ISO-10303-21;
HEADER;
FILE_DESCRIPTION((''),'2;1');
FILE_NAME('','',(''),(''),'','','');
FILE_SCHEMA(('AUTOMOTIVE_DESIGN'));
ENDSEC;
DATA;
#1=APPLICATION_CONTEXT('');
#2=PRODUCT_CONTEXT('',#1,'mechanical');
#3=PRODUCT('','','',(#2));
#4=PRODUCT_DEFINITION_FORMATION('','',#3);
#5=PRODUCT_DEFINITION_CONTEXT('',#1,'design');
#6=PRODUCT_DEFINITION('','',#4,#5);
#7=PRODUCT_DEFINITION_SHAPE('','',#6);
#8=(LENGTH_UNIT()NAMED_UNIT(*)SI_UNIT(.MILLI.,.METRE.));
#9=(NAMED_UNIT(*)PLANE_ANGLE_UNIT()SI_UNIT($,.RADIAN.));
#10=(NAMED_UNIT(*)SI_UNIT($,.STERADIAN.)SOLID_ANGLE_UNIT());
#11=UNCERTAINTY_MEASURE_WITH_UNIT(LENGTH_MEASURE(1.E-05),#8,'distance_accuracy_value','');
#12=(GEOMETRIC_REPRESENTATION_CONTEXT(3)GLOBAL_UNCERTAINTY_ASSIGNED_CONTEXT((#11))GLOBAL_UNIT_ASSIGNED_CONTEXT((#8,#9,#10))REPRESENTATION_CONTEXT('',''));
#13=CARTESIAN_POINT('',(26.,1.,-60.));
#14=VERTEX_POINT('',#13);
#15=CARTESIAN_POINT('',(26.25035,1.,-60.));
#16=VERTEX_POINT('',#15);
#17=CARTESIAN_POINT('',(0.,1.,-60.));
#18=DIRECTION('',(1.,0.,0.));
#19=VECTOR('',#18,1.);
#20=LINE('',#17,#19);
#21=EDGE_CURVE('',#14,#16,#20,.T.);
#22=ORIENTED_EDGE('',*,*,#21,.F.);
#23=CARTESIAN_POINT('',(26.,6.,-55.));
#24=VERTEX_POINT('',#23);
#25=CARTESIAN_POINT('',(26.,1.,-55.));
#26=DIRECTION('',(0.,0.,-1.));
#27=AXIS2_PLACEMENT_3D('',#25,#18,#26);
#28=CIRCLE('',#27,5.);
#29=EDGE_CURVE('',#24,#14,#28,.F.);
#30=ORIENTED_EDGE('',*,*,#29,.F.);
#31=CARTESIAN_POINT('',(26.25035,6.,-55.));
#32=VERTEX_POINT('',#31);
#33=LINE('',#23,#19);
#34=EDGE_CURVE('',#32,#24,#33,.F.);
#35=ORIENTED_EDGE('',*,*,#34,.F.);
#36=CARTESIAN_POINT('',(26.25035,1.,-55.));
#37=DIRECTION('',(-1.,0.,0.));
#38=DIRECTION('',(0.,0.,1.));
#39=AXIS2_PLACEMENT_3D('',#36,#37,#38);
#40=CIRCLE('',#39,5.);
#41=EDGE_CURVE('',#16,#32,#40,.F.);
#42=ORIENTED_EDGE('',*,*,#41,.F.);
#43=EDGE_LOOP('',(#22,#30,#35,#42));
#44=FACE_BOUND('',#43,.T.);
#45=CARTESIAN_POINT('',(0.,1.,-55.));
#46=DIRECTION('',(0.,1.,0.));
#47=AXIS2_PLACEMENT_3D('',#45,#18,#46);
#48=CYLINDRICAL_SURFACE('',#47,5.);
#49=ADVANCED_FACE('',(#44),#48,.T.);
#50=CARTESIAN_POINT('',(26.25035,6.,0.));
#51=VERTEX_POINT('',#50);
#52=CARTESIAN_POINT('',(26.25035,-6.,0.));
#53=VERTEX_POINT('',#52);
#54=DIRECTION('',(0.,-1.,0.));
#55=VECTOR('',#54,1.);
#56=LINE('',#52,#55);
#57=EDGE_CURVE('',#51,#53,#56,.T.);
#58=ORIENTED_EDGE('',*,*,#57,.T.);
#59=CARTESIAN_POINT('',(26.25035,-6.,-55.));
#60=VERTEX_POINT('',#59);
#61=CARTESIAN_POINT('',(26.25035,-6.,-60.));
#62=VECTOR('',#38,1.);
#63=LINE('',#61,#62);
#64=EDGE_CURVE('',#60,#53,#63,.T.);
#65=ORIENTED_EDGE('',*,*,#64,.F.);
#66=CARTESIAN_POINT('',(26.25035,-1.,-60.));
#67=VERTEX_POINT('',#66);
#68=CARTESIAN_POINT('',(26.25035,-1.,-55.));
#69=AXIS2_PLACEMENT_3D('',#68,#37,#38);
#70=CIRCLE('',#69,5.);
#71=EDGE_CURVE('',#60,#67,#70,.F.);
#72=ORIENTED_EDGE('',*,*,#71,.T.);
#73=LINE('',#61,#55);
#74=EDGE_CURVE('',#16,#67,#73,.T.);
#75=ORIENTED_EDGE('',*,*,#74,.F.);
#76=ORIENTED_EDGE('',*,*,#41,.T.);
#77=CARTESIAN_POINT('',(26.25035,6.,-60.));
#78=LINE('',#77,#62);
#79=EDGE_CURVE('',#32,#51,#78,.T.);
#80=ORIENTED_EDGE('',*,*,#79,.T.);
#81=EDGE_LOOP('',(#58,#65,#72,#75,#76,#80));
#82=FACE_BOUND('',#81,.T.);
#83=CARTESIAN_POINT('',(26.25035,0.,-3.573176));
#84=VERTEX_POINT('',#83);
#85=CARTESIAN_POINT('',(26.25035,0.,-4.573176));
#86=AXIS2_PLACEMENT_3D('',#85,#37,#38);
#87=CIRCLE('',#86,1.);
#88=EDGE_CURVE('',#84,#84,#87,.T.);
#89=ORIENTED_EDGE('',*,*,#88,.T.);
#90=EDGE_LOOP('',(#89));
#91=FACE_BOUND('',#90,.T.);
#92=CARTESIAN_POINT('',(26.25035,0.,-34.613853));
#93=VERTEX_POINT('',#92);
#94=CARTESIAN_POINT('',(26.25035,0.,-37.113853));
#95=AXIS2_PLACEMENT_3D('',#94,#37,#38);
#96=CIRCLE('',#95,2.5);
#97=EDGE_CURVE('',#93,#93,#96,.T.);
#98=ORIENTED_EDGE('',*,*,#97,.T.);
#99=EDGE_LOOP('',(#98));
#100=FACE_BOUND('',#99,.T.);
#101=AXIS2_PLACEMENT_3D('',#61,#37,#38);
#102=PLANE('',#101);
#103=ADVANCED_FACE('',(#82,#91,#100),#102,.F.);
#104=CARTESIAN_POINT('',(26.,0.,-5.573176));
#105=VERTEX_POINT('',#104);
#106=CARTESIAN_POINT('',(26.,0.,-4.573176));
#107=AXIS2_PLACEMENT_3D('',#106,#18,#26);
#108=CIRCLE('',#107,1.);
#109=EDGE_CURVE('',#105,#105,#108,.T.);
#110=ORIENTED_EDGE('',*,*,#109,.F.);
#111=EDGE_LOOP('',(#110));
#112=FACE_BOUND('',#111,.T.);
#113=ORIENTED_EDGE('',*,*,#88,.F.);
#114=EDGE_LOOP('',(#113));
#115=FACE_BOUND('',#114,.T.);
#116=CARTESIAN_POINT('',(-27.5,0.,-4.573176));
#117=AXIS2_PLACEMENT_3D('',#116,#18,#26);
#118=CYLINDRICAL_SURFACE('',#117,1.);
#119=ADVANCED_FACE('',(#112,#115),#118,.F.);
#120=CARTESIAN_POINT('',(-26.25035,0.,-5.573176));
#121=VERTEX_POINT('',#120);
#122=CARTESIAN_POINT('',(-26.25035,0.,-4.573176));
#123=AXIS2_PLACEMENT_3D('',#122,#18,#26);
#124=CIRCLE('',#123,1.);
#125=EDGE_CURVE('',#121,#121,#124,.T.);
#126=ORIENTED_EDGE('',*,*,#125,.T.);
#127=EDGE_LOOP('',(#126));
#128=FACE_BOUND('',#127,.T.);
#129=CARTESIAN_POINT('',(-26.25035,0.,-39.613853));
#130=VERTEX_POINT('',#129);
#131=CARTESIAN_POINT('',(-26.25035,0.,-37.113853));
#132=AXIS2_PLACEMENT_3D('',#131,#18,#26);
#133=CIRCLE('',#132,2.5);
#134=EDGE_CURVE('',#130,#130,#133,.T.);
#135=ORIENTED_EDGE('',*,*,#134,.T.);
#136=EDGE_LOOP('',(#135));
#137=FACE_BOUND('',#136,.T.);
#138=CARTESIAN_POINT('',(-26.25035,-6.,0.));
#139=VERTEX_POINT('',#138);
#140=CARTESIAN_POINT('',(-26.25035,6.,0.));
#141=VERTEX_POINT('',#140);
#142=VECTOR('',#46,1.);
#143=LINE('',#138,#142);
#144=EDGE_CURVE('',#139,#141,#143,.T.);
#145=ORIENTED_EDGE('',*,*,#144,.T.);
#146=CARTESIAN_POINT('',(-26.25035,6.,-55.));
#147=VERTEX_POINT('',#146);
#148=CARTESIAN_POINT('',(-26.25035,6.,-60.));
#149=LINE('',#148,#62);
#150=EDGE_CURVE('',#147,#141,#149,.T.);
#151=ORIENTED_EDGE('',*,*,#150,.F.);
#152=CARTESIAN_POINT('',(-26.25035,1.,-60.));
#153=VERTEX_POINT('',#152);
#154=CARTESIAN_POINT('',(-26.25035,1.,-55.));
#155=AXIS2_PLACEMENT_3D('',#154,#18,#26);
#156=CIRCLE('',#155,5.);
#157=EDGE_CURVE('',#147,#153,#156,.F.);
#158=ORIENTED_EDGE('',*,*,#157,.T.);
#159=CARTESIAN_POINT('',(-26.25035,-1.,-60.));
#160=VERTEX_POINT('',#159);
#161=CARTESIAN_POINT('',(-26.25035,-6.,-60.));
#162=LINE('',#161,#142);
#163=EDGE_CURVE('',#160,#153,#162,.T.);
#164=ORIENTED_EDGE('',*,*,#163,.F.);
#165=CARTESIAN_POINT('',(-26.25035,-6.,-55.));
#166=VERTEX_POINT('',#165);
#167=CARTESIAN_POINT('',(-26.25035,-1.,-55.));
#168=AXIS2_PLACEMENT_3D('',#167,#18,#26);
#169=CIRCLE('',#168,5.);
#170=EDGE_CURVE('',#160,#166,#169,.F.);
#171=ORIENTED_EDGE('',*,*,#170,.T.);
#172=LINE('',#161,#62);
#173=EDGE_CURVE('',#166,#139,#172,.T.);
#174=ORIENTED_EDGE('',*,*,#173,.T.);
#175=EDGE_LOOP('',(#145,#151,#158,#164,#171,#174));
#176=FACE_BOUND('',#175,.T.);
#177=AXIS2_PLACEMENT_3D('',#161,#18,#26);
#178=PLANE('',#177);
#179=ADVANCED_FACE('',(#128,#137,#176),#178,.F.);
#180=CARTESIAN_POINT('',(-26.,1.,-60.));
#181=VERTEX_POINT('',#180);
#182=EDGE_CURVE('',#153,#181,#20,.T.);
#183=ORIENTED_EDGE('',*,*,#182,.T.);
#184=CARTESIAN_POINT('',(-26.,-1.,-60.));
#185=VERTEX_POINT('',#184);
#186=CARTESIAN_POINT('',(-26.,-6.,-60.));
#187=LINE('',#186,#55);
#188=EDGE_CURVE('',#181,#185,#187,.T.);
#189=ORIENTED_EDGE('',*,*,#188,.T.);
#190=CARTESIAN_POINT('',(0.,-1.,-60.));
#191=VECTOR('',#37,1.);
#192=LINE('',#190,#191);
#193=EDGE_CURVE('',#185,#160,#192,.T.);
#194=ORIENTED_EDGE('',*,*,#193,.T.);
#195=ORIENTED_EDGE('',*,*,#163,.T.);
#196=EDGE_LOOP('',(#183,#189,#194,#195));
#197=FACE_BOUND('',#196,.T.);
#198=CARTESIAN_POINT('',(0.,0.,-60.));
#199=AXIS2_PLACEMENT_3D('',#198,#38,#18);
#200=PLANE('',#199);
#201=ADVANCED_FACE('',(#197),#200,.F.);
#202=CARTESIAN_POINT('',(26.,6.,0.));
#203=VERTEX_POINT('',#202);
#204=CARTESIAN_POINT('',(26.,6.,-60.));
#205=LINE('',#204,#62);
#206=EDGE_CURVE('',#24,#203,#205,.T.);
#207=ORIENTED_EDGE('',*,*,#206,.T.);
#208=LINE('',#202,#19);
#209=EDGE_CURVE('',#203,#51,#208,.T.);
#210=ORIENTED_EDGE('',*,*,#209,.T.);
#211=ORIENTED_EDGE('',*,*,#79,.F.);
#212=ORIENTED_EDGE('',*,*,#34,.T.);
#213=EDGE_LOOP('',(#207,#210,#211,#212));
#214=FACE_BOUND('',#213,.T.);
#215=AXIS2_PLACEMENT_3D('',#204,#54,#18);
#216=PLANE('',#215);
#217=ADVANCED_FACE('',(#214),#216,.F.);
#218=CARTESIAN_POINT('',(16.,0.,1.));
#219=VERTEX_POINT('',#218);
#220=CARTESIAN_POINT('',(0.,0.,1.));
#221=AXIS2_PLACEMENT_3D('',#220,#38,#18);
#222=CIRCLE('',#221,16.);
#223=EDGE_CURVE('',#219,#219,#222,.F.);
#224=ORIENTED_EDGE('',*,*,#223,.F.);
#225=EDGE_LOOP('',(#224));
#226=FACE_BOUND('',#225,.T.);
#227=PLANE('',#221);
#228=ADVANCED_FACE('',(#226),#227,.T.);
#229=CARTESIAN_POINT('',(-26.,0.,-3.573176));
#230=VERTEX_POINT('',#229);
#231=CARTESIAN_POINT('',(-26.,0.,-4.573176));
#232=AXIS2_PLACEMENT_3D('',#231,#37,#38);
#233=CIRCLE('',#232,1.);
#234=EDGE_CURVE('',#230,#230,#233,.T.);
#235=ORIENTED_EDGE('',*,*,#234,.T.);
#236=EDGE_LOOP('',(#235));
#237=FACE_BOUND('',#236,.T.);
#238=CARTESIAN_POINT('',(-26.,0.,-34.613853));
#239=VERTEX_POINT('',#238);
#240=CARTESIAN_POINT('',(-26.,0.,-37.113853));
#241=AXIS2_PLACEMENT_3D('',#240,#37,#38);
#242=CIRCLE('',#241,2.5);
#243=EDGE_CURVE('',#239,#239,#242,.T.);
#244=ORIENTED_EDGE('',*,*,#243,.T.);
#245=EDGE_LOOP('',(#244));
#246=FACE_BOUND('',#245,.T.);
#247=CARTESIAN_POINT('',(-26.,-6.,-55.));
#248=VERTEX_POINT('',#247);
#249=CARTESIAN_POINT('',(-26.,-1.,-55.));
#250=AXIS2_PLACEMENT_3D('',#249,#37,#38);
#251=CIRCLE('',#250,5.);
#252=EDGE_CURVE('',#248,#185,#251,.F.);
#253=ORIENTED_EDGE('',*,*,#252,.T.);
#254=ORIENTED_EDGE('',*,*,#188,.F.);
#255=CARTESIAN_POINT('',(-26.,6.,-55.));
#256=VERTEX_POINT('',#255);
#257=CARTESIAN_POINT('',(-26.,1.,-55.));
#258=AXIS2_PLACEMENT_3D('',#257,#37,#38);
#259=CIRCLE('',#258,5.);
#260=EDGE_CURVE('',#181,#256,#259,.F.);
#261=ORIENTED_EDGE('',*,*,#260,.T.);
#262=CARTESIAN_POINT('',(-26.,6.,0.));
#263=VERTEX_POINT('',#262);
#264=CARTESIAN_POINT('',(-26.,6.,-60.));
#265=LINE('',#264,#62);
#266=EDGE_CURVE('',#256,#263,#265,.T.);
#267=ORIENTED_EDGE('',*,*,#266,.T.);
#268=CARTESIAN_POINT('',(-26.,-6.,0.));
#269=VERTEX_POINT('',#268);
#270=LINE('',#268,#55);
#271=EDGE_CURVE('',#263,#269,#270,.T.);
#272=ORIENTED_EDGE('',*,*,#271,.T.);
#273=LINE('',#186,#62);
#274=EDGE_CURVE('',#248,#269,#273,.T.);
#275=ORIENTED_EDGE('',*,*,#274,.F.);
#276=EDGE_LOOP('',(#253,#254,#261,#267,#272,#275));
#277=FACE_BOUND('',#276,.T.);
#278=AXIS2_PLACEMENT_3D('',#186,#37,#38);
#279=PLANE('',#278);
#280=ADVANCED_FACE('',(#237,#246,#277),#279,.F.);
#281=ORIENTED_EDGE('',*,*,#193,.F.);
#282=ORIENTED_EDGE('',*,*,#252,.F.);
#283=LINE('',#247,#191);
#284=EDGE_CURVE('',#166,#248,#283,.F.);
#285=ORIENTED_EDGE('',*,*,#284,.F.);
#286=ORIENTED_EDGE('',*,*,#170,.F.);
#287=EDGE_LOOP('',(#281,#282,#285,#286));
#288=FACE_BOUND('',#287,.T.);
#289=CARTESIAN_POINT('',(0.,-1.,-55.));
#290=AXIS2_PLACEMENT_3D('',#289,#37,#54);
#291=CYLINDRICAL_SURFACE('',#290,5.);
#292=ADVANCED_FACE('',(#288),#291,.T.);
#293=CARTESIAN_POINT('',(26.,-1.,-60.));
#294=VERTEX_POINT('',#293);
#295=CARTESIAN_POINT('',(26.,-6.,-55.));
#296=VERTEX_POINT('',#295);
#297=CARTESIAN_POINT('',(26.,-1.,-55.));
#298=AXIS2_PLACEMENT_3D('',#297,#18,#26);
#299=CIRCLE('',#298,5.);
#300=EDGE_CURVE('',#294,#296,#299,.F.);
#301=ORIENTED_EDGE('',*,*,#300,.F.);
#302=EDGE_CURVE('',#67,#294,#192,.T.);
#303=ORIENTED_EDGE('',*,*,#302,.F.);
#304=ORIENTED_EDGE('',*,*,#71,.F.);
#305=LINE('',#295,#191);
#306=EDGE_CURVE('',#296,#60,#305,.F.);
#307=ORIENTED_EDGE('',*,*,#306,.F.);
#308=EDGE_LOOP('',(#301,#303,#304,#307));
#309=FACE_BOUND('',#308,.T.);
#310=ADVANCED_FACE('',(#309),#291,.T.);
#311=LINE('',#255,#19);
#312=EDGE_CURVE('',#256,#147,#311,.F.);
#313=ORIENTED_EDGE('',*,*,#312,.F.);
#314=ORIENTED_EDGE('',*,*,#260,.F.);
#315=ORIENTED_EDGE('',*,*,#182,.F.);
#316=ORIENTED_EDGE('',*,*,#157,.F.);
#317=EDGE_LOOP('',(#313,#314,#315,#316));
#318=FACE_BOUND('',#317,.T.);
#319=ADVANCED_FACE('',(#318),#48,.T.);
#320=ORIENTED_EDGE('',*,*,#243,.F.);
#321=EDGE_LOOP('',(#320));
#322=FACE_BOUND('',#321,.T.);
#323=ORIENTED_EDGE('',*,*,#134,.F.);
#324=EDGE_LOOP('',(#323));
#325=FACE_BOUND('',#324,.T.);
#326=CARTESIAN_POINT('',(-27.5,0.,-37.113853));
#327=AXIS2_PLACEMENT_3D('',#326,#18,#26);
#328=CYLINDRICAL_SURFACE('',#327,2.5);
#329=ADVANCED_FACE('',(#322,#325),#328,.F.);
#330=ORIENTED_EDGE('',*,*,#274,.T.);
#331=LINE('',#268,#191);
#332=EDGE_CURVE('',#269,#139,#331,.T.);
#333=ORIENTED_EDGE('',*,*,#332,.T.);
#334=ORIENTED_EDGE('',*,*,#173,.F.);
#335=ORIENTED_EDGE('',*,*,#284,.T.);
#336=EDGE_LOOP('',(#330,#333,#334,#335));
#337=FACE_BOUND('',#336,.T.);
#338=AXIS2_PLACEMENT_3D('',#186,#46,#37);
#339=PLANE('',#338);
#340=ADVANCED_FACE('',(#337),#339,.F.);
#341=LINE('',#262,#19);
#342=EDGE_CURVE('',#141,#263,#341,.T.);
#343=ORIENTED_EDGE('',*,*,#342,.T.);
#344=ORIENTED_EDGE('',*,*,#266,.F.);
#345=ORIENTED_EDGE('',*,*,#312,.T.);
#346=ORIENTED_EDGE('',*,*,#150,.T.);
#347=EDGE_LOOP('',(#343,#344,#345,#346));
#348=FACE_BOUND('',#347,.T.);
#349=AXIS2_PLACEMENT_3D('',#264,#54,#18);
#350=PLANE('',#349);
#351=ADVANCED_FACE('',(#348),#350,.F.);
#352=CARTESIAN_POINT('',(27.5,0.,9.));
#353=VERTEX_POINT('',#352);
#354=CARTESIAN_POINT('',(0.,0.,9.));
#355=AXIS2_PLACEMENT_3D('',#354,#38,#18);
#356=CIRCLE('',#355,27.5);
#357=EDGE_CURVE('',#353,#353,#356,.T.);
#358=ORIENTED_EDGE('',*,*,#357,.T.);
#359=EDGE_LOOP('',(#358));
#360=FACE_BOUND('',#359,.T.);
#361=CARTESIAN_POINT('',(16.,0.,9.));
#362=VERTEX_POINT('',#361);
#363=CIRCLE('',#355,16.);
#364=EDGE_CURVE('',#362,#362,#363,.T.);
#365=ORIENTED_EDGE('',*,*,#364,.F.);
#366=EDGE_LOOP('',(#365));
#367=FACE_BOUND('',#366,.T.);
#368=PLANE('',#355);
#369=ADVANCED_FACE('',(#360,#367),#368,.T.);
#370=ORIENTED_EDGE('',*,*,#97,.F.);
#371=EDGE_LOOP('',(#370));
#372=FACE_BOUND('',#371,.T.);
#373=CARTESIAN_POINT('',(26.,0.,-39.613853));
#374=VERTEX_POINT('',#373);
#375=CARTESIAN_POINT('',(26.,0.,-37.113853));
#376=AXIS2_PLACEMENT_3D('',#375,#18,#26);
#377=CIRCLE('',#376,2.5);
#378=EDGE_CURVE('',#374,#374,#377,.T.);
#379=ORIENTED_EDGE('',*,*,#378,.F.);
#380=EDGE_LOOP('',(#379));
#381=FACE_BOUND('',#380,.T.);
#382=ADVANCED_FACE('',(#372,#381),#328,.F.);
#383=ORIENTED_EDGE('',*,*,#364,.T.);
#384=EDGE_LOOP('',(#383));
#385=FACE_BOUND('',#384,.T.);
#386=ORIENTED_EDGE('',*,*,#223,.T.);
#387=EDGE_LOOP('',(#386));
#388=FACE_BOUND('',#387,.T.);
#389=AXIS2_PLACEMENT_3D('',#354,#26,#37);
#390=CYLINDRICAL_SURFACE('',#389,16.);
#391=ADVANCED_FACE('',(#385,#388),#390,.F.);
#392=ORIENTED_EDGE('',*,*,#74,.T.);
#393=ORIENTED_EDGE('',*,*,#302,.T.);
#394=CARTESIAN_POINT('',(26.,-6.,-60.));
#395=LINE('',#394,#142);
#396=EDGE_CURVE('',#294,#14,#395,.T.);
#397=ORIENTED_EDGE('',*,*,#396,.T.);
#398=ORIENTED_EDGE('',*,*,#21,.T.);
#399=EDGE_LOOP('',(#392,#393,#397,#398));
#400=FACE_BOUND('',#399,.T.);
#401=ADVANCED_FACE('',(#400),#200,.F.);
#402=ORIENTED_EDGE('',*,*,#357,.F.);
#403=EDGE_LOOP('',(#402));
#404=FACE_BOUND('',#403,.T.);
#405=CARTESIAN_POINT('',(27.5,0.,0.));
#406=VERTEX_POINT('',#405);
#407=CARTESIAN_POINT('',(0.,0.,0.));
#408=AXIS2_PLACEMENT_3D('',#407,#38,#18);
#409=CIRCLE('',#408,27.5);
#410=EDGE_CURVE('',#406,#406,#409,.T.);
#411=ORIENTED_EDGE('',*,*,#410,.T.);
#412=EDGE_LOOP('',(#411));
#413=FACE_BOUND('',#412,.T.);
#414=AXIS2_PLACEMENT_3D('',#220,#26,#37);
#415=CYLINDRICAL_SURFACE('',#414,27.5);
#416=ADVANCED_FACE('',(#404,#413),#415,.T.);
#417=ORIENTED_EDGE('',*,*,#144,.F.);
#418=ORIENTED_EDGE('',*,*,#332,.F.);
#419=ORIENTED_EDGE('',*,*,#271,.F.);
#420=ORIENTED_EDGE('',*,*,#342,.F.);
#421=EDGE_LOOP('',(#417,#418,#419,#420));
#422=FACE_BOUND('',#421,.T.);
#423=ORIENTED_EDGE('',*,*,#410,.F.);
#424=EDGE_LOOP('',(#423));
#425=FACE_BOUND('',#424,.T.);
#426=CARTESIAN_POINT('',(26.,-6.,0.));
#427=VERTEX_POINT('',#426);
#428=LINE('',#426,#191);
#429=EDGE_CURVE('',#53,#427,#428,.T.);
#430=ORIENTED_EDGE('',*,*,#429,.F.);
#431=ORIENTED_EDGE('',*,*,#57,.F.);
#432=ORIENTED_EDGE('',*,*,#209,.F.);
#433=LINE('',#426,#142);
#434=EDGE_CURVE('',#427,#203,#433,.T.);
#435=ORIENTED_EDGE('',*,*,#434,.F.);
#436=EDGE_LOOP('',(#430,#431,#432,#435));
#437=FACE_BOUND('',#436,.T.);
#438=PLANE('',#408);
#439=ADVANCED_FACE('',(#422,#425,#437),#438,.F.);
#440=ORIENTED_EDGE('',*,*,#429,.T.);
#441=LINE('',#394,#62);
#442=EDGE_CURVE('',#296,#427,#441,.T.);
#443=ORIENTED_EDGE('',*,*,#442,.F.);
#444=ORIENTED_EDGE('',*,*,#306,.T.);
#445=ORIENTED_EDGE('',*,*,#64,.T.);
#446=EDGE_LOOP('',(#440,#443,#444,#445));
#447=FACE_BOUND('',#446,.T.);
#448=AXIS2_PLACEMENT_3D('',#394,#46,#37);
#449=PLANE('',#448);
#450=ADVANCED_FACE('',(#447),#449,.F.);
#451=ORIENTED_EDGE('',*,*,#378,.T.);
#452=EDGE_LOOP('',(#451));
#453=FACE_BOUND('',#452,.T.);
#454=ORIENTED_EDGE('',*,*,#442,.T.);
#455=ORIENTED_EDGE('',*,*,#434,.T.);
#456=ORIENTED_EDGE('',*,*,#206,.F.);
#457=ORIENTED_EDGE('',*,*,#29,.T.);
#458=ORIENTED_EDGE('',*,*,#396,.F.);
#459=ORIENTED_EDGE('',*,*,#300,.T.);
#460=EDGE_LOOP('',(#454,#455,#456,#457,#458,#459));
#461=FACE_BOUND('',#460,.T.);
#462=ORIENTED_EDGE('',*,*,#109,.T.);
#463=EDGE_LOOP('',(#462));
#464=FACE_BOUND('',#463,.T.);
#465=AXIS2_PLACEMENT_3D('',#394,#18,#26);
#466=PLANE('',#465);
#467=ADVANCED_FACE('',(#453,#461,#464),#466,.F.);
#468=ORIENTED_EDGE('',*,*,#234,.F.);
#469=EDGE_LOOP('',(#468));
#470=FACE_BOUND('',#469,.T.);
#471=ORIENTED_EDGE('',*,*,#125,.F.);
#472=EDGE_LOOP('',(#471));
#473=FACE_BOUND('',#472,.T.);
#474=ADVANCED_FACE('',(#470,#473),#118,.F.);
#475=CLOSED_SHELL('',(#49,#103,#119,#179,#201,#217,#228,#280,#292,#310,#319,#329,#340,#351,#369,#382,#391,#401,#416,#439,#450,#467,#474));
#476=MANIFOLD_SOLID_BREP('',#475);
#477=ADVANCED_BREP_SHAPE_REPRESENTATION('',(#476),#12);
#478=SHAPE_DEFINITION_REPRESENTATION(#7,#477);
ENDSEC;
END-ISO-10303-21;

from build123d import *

# Parameters (mm, degrees)
SKETCH1_R               = 27.5
BOSS_EXTRUDE1_DEPTH     = 1
SKETCH2_R               = 27.5
SKETCH2_R_2             = 16
BOSS_EXTRUDE2_DEPTH     = 8
SKETCH3_W               = 0.250349807
SKETCH3_H               = 12
BOSS_EXTRUDE3_DEPTH     = 60
CUT_EXTRUDE1_DEPTH      = 72.50174823
CUT_EXTRUDE1_DEPTH_BACK = 72.50174823
SKETCH4_R               = 2.5
SKETCH4_R_2             = 1
FILLET1_R               = 5


with BuildPart() as part:
    # Sketch1 → Boss-Extrude1 (new body)
    with BuildSketch(Plane.XY):
        Circle(SKETCH1_R)
    extrude(amount=BOSS_EXTRUDE1_DEPTH)

    # Sketch2 → Boss-Extrude2 (add)
    with BuildSketch(Plane.XY.offset(1)):
        Circle(SKETCH2_R)
        Circle(SKETCH2_R_2, mode=Mode.SUBTRACT)
    extrude(amount=BOSS_EXTRUDE2_DEPTH)

    # Sketch3 → Boss-Extrude3 (add)
    with BuildSketch(Plane(origin=(0, 0, 0), x_dir=(-1, 0, 0), z_dir=(0, 0, -1))):
        with Locations((-26.125174904, 0)):
            Rectangle(SKETCH3_W, SKETCH3_H)
        with Locations((26.125174904, 0)):
            Rectangle(SKETCH3_W, SKETCH3_H)
    extrude(amount=BOSS_EXTRUDE3_DEPTH)

    # Sketch4 → Cut-Extrude1 (cut, two sides: drawn at the far end of the back side and taken through both)
    with BuildSketch(Plane(origin=(0, 0, 0), x_dir=(0, 0, -1), z_dir=(1, 0, 0)).offset(-CUT_EXTRUDE1_DEPTH_BACK)):
        with Locations((37.113852525, 0)):
            Circle(SKETCH4_R)
        with Locations((4.573176496, 0)):
            Circle(SKETCH4_R_2)
    extrude(amount=CUT_EXTRUDE1_DEPTH + CUT_EXTRUDE1_DEPTH_BACK, mode=Mode.SUBTRACT)

    # Fillet1
    fillet1_edges = [part.edges().sort_by_distance(p)[0] for p in [
        (-26.125174903, -6, -60),
        (-26.125174903, 6, -60),
        (26.125174903, -6, -60),
        (26.125174903, 6, -60),
    ]]
    fillet(fillet1_edges, radius=FILLET1_R)


solid = part.part
